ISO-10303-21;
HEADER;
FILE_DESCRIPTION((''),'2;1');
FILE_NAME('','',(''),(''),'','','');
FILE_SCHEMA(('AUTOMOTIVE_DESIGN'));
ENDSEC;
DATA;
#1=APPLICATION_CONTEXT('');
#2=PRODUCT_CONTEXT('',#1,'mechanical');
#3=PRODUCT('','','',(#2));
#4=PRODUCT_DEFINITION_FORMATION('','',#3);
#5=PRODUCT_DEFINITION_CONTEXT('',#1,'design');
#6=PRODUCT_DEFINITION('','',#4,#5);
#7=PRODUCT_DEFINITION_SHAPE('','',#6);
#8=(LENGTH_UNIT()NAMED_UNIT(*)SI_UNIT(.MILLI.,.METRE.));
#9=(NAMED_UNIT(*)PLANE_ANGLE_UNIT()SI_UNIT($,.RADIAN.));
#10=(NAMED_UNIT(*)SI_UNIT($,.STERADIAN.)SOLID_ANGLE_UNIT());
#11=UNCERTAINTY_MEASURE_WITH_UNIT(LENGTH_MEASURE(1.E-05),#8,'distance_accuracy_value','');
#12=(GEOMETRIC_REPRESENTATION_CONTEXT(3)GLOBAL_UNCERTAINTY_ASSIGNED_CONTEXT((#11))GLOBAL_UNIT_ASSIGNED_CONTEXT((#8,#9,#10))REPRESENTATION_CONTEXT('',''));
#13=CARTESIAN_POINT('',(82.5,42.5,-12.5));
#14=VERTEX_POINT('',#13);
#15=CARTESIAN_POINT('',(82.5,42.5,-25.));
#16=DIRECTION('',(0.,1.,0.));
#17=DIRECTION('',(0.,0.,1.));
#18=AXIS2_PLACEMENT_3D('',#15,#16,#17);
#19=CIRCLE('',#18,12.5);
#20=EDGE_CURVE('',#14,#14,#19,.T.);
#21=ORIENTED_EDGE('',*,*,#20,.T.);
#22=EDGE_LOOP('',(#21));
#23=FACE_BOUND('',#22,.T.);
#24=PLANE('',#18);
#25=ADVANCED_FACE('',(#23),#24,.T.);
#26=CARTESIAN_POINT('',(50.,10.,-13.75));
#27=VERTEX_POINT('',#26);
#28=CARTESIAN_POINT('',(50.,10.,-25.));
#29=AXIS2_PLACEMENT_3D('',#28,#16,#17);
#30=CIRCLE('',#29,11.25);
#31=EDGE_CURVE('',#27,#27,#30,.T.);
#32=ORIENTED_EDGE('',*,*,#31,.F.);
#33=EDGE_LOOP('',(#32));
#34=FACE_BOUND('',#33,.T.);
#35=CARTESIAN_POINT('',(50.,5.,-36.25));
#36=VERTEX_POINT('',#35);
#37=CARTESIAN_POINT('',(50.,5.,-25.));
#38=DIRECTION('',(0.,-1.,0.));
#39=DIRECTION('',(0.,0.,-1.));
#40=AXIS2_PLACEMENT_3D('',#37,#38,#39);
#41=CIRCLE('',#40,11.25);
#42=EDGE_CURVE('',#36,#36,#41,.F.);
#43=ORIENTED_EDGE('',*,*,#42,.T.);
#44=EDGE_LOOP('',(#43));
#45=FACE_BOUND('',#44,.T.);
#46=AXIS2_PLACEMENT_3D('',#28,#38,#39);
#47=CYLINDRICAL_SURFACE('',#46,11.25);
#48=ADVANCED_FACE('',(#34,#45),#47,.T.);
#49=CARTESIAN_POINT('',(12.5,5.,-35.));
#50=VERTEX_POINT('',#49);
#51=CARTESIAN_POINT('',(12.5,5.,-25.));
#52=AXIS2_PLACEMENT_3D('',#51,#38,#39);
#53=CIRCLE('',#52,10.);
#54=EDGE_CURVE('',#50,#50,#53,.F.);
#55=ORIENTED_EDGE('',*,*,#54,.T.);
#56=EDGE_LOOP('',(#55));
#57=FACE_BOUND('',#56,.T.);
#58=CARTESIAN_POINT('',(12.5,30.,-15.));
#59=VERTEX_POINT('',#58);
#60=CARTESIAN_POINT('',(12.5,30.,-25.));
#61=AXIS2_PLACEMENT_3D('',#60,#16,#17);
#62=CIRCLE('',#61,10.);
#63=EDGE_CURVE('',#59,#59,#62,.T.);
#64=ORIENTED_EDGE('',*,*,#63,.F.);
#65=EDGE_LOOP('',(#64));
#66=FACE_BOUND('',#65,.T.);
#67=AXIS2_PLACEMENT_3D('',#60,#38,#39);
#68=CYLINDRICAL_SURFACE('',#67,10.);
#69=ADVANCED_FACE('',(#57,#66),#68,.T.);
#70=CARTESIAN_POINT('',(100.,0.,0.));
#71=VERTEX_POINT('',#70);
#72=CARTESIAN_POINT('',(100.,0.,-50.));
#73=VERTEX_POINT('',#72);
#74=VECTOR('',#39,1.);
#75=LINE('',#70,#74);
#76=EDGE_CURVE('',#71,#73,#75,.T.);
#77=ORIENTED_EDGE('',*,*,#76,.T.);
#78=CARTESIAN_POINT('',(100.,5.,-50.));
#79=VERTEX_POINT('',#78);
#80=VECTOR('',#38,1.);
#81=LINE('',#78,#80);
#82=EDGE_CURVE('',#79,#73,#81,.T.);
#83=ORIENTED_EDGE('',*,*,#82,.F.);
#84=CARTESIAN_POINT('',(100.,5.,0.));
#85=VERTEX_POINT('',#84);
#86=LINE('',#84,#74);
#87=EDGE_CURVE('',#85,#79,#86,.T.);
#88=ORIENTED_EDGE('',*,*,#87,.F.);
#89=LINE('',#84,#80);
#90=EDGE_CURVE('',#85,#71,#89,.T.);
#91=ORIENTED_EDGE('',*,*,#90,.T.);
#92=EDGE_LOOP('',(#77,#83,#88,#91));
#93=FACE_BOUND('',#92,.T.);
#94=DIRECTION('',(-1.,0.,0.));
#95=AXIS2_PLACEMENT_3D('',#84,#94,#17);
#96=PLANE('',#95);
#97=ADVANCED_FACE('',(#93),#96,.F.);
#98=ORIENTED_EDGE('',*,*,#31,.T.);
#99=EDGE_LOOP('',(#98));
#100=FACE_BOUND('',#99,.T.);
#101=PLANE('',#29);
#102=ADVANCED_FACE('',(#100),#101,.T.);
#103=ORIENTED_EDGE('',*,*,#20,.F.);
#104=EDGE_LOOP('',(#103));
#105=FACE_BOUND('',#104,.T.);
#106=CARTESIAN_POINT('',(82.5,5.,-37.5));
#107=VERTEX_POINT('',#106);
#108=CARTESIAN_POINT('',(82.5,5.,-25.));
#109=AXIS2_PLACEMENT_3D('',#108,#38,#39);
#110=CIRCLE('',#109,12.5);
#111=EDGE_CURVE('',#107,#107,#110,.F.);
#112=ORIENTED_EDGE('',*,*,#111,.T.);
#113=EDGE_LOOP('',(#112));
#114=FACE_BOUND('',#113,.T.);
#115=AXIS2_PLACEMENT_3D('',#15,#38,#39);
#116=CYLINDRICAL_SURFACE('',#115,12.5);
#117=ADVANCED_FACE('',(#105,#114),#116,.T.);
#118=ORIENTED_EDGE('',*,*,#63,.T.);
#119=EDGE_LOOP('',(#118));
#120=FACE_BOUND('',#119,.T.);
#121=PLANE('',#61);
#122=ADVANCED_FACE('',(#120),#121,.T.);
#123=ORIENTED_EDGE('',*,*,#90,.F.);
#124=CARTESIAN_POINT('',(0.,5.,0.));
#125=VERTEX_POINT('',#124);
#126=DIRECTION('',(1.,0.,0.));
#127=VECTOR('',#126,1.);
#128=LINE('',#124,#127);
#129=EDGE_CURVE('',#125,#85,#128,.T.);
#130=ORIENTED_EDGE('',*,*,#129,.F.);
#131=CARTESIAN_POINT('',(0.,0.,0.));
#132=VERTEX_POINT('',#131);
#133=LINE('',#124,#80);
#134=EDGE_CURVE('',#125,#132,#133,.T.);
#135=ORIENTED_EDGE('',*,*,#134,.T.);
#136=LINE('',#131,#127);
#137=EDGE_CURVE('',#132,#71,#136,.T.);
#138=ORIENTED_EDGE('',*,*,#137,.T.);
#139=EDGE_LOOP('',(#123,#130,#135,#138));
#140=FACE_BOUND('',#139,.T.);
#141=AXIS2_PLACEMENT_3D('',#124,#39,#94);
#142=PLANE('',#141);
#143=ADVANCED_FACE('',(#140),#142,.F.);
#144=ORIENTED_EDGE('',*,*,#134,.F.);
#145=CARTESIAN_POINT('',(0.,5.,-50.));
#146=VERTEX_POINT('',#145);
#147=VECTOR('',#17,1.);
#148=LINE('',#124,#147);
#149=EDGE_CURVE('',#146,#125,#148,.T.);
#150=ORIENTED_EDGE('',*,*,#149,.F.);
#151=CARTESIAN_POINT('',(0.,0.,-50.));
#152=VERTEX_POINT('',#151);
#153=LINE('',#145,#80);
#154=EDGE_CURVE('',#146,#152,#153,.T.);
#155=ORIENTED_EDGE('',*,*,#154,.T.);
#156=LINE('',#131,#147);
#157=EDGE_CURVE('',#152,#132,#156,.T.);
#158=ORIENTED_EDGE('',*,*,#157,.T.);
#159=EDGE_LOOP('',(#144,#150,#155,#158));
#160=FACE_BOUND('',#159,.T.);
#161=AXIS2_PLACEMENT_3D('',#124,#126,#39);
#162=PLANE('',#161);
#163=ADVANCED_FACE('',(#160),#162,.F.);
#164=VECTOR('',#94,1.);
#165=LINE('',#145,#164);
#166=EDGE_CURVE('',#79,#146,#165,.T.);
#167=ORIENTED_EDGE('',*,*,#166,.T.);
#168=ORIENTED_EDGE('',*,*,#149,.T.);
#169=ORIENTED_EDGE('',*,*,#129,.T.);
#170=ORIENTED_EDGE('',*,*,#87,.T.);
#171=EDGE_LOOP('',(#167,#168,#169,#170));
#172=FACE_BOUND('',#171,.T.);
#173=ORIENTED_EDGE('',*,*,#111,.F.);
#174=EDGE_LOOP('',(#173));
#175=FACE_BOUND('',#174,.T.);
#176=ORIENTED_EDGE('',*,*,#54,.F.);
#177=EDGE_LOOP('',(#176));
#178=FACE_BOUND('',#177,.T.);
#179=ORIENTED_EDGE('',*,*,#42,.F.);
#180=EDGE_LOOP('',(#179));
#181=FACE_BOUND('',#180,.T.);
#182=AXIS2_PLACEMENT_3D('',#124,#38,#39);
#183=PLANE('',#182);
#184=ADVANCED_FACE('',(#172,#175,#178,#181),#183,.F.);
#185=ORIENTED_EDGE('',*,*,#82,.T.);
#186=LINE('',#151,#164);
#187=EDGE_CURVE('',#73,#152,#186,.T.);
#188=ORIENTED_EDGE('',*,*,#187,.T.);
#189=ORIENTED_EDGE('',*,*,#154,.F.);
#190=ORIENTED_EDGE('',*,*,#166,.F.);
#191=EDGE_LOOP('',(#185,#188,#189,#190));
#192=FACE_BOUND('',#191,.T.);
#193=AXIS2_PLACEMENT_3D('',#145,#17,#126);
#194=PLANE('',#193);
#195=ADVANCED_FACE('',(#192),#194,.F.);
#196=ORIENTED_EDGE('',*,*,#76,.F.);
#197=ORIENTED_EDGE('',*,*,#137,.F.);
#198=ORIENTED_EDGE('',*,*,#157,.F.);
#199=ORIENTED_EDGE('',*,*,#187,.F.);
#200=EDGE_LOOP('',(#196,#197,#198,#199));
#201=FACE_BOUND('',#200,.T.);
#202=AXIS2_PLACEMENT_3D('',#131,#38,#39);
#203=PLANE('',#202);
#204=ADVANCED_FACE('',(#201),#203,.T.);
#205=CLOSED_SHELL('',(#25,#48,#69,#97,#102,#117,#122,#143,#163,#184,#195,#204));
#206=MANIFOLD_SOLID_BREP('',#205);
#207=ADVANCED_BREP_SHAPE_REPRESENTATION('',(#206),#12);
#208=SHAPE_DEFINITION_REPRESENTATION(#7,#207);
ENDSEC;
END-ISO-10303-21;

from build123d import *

# Parameters (mm, degrees)
SKETCH1_W           = 100
SKETCH1_H           = 50
BOSS_EXTRUDE1_DEPTH = 5
SKETCH3_R           = 10
BOSS_EXTRUDE2_DEPTH = 25
SKETCH4_R           = 11.25
BOSS_EXTRUDE3_DEPTH = 5
SKETCH5_R           = 12.5
BOSS_EXTRUDE4_DEPTH = 37.5


with BuildPart() as part:
    # Sketch1 → Boss-Extrude1 (new body)
    with BuildSketch(Plane(origin=(0, 0, 0), x_dir=(1, 0, 0), z_dir=(0, 1, 0))):
        with Locations((50, 25)):
            Rectangle(SKETCH1_W, SKETCH1_H)
    extrude(amount=BOSS_EXTRUDE1_DEPTH)

    # Sketch3 → Boss-Extrude2 (add)
    with BuildSketch(Plane(origin=(0, 5, 0), x_dir=(1, 0, 0), z_dir=(0, 1, 0))):
        with Locations((12.5, 25)):
            Circle(SKETCH3_R)
    extrude(amount=BOSS_EXTRUDE2_DEPTH)

    # Sketch4 → Boss-Extrude3 (add)
    with BuildSketch(Plane(origin=(0, 5, 0), x_dir=(1, 0, 0), z_dir=(0, 1, 0))):
        with Locations((50, 25)):
            Circle(SKETCH4_R)
    extrude(amount=BOSS_EXTRUDE3_DEPTH)

    # Sketch5 → Boss-Extrude4 (add)
    with BuildSketch(Plane(origin=(0, 5, 0), x_dir=(1, 0, 0), z_dir=(0, 1, 0))):
        with Locations((82.5, 25)):
            Circle(SKETCH5_R)
    extrude(amount=BOSS_EXTRUDE4_DEPTH)


solid = part.part
